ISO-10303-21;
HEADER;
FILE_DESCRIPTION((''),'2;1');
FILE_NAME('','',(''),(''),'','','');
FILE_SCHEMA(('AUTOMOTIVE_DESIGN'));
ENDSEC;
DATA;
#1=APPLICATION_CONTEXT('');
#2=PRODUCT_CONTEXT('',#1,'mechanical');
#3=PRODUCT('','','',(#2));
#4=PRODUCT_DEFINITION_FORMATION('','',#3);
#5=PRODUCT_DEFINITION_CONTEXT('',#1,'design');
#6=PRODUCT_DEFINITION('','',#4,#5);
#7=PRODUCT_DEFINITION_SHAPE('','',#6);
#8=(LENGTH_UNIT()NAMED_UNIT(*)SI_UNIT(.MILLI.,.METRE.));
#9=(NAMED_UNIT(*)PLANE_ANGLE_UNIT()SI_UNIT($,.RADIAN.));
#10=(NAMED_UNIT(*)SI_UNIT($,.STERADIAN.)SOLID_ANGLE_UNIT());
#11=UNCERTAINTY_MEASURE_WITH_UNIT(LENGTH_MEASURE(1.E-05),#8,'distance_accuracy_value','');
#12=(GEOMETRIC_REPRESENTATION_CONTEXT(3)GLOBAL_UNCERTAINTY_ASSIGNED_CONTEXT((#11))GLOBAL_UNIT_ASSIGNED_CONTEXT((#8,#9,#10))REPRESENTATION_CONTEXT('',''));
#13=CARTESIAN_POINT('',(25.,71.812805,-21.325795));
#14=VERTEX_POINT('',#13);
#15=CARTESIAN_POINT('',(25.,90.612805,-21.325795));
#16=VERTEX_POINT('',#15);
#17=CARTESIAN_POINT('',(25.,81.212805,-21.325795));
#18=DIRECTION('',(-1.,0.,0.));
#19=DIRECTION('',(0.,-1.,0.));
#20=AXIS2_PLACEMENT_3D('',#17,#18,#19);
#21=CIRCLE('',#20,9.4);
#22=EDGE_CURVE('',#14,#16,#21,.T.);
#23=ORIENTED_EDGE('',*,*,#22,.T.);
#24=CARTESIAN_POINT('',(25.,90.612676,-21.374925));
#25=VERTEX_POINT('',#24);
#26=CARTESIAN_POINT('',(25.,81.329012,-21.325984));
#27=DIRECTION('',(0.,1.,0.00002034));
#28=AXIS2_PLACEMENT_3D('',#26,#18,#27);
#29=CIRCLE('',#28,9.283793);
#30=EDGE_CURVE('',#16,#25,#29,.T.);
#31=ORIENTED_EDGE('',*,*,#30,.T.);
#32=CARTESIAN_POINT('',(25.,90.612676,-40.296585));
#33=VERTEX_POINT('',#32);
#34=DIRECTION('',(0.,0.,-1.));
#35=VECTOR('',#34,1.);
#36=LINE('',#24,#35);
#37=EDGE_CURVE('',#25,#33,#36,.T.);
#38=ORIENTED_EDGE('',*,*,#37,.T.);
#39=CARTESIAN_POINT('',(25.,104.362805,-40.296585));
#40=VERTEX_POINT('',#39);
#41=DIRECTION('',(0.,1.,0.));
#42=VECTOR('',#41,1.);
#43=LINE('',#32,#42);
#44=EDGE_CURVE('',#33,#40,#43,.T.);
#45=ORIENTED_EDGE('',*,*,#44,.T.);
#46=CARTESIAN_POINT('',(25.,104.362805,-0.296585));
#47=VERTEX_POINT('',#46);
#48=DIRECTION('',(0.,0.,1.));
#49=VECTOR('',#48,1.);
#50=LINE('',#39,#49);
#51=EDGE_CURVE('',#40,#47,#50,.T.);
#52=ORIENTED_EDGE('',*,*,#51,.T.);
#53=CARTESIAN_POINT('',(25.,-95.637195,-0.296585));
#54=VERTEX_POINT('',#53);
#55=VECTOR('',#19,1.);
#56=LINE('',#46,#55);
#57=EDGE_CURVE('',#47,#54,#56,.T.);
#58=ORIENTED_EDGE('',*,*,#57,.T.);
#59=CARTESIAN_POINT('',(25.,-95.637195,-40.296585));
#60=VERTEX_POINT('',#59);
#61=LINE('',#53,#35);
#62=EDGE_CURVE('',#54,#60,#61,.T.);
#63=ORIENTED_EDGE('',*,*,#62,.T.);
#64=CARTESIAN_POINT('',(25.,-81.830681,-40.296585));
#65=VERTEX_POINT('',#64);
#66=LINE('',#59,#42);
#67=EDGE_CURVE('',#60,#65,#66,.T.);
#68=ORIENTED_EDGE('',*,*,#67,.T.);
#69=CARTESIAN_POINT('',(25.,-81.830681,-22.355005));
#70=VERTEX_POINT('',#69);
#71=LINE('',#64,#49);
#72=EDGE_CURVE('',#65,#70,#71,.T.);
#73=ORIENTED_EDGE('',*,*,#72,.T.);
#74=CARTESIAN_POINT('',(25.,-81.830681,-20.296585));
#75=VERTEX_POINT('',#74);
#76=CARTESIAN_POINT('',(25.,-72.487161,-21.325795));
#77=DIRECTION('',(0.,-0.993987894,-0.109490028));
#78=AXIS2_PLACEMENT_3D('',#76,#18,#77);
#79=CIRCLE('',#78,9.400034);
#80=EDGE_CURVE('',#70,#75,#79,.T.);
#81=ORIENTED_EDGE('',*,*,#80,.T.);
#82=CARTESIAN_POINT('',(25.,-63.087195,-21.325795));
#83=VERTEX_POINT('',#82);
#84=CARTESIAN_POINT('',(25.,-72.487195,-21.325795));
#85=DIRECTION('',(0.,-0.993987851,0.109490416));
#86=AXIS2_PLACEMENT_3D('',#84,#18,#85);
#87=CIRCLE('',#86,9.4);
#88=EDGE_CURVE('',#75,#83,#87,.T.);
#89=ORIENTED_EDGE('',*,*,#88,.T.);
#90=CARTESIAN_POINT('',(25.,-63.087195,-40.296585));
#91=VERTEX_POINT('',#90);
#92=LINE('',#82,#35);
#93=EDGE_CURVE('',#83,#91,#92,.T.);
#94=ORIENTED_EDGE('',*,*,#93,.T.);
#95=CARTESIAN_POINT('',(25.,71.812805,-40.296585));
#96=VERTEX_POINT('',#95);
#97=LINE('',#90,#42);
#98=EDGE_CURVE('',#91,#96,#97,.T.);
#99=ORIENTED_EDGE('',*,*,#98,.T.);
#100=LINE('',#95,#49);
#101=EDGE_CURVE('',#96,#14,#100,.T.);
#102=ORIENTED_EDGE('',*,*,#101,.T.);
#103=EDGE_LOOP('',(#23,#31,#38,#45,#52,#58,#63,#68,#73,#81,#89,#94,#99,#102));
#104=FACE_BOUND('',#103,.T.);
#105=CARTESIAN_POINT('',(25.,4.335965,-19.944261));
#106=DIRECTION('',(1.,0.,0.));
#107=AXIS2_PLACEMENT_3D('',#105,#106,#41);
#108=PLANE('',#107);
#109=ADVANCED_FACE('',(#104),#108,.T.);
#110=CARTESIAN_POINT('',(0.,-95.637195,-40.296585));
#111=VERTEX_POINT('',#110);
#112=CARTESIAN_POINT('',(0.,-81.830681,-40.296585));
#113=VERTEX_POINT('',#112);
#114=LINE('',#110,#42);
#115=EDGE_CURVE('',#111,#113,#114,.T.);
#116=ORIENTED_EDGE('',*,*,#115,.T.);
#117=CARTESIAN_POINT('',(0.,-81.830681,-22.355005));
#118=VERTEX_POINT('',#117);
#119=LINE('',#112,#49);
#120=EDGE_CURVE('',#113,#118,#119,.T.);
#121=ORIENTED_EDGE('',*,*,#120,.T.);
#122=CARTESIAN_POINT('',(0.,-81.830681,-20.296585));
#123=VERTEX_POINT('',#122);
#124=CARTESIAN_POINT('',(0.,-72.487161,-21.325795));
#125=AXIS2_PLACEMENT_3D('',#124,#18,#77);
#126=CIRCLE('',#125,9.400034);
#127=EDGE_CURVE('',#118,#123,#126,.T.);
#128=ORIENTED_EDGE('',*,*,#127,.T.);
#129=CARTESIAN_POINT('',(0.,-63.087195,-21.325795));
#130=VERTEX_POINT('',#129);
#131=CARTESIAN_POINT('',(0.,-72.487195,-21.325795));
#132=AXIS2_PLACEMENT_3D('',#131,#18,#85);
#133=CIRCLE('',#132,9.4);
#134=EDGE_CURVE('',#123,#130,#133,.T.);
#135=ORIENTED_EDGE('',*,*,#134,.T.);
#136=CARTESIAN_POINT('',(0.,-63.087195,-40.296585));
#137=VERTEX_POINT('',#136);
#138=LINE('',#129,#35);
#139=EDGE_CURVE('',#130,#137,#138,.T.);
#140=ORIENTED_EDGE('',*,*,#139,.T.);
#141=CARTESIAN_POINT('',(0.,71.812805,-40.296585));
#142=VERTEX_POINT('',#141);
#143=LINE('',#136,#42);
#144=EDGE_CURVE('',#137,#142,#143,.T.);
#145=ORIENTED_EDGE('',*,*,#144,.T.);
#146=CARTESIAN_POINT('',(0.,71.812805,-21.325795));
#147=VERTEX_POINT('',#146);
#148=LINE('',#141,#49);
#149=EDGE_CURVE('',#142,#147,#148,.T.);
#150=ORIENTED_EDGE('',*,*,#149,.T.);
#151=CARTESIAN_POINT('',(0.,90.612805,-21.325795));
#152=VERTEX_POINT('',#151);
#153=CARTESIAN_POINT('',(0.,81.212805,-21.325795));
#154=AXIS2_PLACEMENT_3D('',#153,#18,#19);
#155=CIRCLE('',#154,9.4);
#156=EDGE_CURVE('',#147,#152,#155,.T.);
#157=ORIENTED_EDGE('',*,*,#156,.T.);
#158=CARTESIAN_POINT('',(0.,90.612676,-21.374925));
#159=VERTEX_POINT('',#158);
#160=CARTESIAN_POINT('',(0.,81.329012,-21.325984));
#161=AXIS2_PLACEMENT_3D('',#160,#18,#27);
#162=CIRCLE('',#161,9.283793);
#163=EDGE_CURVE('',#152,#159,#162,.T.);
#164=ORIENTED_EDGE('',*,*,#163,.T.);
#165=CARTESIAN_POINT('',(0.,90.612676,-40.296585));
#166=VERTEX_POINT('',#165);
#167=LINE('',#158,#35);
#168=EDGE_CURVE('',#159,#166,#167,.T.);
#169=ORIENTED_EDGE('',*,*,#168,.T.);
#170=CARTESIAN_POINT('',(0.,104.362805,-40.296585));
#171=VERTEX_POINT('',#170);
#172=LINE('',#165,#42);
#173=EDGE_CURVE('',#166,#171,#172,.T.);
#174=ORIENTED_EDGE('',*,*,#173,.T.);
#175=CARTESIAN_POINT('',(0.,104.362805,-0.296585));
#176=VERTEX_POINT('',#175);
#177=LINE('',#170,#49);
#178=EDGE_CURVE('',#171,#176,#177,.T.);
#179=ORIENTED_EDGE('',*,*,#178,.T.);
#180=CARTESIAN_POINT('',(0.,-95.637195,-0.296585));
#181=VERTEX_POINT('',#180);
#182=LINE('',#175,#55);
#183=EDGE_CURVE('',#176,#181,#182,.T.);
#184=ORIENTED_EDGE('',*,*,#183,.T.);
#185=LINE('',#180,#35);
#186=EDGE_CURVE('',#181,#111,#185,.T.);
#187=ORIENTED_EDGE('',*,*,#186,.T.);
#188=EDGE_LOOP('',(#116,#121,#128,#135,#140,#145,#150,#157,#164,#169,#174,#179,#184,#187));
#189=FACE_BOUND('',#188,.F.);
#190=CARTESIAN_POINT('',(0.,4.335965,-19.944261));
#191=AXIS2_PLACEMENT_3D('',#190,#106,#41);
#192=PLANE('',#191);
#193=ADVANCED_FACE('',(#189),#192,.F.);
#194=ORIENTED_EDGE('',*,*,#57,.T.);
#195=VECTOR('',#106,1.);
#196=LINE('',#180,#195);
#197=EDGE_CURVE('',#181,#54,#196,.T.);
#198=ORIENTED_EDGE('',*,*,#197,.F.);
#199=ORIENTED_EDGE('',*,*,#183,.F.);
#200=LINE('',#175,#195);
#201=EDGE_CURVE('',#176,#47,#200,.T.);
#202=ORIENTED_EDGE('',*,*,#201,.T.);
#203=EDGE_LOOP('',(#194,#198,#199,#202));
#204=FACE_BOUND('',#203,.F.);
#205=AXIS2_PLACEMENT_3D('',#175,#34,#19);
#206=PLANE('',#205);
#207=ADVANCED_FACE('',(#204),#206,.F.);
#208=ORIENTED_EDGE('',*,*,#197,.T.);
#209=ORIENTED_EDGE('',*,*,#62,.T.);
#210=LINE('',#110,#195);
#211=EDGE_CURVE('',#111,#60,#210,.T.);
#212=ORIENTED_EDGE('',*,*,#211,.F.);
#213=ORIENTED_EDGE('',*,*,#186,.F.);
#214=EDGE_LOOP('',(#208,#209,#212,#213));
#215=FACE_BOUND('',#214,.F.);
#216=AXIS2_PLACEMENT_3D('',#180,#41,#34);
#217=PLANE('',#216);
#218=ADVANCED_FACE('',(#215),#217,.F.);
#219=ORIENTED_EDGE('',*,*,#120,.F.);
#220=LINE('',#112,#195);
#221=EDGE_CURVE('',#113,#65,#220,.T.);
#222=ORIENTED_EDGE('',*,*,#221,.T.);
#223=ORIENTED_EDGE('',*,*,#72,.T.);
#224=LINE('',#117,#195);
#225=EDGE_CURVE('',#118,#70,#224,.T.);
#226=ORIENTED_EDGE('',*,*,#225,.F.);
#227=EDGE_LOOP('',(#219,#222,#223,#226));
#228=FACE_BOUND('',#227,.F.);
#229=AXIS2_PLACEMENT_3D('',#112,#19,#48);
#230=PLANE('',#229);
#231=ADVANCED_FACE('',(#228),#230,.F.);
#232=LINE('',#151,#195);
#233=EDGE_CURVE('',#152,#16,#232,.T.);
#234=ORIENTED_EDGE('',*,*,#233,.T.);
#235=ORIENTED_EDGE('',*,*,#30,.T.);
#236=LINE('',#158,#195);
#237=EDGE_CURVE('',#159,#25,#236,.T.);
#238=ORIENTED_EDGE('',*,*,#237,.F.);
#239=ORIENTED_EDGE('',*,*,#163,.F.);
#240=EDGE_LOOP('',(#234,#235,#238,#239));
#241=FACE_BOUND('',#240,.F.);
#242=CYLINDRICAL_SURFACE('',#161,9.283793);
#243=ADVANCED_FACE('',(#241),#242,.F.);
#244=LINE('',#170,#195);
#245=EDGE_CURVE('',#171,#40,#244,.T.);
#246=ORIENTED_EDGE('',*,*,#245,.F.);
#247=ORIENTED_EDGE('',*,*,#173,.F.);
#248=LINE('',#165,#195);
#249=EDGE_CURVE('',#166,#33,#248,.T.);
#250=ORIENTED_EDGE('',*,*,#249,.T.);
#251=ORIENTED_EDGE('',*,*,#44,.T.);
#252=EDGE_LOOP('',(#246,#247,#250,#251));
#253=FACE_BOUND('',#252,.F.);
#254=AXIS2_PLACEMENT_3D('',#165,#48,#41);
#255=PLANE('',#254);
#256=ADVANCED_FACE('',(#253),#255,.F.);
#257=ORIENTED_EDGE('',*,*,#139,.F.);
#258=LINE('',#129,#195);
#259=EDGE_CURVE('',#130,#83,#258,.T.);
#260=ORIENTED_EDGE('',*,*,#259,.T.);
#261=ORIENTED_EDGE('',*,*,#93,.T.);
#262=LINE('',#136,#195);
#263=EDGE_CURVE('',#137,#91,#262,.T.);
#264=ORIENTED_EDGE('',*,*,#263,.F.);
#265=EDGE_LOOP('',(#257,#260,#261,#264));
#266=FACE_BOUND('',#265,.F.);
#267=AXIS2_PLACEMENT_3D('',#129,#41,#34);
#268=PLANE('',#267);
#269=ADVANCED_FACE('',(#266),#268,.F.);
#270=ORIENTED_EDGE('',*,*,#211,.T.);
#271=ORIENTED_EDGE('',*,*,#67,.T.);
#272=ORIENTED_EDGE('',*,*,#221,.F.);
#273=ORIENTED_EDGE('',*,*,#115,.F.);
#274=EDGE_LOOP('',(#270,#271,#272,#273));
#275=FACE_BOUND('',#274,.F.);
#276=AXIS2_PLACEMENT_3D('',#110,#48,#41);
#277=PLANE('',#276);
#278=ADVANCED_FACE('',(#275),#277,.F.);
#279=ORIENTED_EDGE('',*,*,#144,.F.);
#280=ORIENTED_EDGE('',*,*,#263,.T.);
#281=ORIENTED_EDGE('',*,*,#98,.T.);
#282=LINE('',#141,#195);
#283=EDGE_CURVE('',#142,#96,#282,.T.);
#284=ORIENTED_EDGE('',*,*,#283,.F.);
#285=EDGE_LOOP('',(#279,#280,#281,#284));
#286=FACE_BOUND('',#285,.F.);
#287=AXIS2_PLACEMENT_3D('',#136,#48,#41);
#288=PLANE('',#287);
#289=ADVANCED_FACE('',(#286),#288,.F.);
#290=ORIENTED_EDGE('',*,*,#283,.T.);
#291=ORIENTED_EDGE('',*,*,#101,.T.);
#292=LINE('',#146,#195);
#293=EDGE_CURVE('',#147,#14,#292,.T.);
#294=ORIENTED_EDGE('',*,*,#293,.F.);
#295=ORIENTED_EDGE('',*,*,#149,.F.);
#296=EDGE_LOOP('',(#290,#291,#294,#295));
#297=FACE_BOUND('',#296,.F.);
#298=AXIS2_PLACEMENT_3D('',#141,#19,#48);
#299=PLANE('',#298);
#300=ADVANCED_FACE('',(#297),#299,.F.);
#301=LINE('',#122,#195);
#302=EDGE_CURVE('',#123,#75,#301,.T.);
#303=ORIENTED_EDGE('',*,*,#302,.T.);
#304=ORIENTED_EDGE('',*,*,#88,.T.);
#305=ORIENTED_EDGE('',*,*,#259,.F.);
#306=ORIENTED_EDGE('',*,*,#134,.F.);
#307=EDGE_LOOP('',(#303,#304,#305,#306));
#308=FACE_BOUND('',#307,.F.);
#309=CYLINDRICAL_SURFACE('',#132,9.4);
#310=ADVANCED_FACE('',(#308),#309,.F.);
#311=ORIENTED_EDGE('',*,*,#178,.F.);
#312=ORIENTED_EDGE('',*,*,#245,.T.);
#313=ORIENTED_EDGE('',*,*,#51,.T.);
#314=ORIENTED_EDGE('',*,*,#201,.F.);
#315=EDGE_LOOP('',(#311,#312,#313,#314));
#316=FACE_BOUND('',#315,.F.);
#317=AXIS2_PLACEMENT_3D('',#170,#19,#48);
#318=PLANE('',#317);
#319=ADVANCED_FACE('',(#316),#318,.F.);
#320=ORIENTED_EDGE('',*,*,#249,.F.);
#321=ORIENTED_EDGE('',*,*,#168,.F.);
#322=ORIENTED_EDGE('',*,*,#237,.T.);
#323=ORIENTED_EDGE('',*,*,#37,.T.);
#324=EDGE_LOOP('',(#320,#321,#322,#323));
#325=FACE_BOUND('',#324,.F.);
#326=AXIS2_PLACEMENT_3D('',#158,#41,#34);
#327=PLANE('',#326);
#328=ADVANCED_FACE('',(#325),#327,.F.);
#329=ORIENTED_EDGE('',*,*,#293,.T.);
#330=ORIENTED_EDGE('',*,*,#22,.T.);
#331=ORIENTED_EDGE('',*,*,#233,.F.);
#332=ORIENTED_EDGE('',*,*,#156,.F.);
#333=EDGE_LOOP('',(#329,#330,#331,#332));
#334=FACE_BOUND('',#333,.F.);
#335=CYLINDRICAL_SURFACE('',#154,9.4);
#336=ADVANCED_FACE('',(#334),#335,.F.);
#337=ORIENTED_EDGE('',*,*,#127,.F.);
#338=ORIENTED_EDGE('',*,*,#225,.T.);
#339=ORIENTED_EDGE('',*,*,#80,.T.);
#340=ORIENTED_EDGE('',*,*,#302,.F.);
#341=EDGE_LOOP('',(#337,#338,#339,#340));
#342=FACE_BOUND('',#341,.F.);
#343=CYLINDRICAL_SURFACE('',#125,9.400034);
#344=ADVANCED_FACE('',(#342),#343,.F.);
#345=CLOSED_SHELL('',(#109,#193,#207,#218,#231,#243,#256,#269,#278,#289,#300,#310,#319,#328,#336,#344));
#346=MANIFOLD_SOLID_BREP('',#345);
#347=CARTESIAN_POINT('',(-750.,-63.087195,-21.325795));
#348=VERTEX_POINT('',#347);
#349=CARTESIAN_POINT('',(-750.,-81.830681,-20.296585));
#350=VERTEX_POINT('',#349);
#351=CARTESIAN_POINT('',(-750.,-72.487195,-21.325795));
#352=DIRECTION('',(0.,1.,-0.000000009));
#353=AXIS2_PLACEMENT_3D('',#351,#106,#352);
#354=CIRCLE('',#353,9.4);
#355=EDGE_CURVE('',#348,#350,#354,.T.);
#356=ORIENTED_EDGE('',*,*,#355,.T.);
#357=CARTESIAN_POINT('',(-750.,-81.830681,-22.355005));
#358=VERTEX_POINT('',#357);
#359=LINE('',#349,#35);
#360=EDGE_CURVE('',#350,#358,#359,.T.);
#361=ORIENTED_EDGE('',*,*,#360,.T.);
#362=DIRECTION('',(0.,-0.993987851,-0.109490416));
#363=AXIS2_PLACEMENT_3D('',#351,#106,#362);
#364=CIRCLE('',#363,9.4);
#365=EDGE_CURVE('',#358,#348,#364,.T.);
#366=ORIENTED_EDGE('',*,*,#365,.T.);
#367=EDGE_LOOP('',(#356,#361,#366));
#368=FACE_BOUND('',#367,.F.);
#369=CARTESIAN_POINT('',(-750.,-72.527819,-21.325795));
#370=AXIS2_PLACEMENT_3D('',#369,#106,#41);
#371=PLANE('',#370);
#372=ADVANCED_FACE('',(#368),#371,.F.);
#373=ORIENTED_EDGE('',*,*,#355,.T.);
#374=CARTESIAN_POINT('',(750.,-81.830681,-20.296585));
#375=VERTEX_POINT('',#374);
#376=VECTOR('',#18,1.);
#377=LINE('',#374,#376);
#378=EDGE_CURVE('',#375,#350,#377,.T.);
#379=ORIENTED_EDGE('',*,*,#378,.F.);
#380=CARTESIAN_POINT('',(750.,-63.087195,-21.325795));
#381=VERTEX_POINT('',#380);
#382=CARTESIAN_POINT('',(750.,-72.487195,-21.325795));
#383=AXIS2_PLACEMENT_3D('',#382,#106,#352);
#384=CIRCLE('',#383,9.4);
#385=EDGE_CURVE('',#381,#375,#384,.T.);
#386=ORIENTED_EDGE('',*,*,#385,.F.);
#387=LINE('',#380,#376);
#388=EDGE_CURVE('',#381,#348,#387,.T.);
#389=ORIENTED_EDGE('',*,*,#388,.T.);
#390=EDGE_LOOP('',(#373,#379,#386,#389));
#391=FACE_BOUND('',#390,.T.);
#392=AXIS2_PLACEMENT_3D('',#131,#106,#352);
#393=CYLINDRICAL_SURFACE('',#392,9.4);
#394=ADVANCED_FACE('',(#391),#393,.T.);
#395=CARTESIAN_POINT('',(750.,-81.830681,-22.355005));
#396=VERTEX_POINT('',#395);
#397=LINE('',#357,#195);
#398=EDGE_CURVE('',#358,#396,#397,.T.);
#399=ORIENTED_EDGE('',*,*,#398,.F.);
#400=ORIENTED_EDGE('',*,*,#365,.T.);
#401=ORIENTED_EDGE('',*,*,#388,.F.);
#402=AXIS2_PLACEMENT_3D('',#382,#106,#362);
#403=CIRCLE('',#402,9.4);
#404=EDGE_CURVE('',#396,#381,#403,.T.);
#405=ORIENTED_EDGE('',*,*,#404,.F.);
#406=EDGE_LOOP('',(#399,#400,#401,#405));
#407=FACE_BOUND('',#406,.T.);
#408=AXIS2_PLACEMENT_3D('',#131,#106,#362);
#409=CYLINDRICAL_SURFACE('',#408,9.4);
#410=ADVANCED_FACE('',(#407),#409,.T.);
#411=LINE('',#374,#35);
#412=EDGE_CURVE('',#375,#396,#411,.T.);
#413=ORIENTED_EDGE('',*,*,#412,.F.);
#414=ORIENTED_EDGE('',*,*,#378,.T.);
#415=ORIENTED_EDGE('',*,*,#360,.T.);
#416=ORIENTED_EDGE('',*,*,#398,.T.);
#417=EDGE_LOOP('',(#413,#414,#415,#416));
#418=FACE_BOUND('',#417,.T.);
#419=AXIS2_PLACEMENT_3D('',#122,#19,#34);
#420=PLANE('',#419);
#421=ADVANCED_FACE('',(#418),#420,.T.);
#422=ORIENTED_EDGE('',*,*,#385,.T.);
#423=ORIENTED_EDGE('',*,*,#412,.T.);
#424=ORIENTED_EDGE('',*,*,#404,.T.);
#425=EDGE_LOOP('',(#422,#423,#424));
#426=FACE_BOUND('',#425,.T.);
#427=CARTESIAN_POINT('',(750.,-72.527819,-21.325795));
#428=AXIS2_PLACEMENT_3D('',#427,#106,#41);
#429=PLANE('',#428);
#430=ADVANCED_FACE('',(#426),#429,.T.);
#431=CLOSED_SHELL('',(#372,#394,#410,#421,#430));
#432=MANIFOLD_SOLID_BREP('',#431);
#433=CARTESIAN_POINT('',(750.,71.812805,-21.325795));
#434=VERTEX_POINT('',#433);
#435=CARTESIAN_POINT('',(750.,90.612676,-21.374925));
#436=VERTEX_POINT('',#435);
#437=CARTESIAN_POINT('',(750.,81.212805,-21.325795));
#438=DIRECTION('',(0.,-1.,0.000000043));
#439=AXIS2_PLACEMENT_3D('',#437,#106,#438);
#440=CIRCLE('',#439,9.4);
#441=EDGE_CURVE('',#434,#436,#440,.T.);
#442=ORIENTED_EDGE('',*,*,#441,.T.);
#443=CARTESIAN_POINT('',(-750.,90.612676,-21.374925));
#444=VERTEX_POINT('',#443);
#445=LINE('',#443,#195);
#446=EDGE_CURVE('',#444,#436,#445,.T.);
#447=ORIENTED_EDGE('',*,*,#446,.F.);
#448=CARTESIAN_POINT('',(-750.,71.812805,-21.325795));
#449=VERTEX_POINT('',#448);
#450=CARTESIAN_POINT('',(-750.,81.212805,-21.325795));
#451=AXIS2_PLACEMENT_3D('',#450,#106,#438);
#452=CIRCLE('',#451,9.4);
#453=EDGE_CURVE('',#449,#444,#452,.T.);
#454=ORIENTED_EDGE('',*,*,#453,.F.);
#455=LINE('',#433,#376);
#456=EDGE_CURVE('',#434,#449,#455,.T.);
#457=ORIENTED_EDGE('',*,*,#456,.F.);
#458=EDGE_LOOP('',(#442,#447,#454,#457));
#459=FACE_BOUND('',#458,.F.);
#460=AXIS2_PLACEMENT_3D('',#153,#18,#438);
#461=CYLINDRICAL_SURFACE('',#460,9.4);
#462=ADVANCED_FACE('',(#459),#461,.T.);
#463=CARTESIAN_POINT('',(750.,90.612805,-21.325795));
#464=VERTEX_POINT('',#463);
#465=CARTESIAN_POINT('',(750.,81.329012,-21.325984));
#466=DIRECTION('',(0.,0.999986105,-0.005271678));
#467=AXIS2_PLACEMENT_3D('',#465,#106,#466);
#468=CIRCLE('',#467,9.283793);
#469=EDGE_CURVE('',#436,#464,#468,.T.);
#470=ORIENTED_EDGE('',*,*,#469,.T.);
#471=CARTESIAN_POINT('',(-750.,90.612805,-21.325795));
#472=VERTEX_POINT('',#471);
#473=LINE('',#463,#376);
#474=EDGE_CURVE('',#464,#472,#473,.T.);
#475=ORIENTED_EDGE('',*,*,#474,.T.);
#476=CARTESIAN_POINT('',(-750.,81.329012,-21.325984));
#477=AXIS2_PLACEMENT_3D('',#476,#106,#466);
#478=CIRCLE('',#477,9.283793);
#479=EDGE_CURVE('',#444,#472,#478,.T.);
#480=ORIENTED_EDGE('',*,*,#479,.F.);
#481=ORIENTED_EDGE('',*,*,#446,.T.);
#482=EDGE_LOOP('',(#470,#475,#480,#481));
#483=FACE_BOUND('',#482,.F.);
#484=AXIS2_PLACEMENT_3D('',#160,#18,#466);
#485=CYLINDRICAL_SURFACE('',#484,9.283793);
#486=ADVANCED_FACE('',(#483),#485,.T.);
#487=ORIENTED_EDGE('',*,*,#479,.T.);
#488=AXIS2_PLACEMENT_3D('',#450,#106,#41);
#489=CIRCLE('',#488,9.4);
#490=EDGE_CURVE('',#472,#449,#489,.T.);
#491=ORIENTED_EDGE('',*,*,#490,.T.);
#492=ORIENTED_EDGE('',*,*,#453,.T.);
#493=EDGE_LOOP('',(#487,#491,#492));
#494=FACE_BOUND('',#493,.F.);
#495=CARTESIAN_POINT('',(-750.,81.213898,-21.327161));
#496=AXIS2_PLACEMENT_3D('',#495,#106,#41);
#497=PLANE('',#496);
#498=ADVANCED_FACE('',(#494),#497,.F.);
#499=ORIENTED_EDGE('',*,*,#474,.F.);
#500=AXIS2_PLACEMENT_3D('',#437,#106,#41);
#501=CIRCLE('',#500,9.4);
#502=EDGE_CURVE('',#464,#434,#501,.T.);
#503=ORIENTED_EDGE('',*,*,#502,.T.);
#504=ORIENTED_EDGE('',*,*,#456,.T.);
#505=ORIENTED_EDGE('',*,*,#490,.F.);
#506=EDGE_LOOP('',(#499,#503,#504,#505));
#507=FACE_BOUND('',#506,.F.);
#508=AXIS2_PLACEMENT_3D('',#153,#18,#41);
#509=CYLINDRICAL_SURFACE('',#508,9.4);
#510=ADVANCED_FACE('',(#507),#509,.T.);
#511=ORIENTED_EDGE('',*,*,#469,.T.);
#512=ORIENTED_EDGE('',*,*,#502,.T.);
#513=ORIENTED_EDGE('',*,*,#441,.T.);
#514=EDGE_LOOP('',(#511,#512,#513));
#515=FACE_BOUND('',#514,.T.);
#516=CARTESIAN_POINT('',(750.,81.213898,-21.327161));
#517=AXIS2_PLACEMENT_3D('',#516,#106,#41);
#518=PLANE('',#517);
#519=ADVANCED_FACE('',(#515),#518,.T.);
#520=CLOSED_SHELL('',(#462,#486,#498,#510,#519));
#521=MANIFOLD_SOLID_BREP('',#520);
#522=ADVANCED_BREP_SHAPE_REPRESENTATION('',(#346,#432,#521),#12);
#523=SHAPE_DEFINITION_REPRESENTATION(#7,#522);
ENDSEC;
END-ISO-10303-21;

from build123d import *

# Parameters (mm, degrees)
F1_DEPTH = 25
F2_DEPTH = 750


with BuildPart() as f1:
    # F0 (on Right) → F1 (new body)
    with BuildSketch(Plane.YZ):
        with BuildLine():
            Line((104.362805, -0.296585), (-95.637195, -0.296585))
            Line((-95.637195, -0.296585), (-95.637195, -40.296585))
            Line((-95.637195, -40.296585), (-81.830681, -40.296585))
            Line((-81.830681, -40.296585), (-81.830681, -22.355005))
            ThreePointArc((-81.830681, -22.355005), (-81.887195, -21.325795), (-81.830681, -20.296585))
            ThreePointArc((-81.830681, -20.296585), (-71.971815, -11.939934), (-63.087195, -21.325795))
            Line((-63.087195, -21.325795), (-63.087195, -40.296585))
            Line((-63.087195, -40.296585), (71.812805, -40.296585))
            Line((71.812805, -40.296585), (71.812805, -21.325795))
            ThreePointArc((71.812805, -21.325795), (81.212805, -11.925795), (90.612805, -21.325795))
            ThreePointArc((90.612805, -21.325795), (90.612773, -21.35036), (90.612676, -21.374925))
            Line((90.612676, -21.374925), (90.612676, -40.296585))
            Line((90.612676, -40.296585), (104.362805, -40.296585))
            Line((104.362805, -40.296585), (104.362805, -0.296585))
        make_face()
    extrude(amount=F1_DEPTH)


with BuildPart() as f2:
    # F0 (on Right) → F2 (new body, symmetric)
    with BuildSketch(Plane.YZ):
        with BuildLine():
            ThreePointArc((71.812805, -21.325795), (81.18824, -30.725763), (90.612676, -21.374925))
            ThreePointArc((90.612676, -21.374925), (90.612773, -21.35036), (90.612805, -21.325795))
            ThreePointArc((90.612805, -21.325795), (81.212805, -11.925795), (71.812805, -21.325795))
        make_face()
        with BuildLine():
            Line((-81.830681, -20.296585), (-81.830681, -22.355005))
            ThreePointArc((-81.830681, -22.355005), (-71.971815, -30.711656), (-63.087195, -21.325795))
            ThreePointArc((-63.087195, -21.325795), (-71.971815, -11.939934), (-81.830681, -20.296585))
        make_face()
    extrude(amount=F2_DEPTH, both=True)


solid = Compound([f1.part, f2.part])
